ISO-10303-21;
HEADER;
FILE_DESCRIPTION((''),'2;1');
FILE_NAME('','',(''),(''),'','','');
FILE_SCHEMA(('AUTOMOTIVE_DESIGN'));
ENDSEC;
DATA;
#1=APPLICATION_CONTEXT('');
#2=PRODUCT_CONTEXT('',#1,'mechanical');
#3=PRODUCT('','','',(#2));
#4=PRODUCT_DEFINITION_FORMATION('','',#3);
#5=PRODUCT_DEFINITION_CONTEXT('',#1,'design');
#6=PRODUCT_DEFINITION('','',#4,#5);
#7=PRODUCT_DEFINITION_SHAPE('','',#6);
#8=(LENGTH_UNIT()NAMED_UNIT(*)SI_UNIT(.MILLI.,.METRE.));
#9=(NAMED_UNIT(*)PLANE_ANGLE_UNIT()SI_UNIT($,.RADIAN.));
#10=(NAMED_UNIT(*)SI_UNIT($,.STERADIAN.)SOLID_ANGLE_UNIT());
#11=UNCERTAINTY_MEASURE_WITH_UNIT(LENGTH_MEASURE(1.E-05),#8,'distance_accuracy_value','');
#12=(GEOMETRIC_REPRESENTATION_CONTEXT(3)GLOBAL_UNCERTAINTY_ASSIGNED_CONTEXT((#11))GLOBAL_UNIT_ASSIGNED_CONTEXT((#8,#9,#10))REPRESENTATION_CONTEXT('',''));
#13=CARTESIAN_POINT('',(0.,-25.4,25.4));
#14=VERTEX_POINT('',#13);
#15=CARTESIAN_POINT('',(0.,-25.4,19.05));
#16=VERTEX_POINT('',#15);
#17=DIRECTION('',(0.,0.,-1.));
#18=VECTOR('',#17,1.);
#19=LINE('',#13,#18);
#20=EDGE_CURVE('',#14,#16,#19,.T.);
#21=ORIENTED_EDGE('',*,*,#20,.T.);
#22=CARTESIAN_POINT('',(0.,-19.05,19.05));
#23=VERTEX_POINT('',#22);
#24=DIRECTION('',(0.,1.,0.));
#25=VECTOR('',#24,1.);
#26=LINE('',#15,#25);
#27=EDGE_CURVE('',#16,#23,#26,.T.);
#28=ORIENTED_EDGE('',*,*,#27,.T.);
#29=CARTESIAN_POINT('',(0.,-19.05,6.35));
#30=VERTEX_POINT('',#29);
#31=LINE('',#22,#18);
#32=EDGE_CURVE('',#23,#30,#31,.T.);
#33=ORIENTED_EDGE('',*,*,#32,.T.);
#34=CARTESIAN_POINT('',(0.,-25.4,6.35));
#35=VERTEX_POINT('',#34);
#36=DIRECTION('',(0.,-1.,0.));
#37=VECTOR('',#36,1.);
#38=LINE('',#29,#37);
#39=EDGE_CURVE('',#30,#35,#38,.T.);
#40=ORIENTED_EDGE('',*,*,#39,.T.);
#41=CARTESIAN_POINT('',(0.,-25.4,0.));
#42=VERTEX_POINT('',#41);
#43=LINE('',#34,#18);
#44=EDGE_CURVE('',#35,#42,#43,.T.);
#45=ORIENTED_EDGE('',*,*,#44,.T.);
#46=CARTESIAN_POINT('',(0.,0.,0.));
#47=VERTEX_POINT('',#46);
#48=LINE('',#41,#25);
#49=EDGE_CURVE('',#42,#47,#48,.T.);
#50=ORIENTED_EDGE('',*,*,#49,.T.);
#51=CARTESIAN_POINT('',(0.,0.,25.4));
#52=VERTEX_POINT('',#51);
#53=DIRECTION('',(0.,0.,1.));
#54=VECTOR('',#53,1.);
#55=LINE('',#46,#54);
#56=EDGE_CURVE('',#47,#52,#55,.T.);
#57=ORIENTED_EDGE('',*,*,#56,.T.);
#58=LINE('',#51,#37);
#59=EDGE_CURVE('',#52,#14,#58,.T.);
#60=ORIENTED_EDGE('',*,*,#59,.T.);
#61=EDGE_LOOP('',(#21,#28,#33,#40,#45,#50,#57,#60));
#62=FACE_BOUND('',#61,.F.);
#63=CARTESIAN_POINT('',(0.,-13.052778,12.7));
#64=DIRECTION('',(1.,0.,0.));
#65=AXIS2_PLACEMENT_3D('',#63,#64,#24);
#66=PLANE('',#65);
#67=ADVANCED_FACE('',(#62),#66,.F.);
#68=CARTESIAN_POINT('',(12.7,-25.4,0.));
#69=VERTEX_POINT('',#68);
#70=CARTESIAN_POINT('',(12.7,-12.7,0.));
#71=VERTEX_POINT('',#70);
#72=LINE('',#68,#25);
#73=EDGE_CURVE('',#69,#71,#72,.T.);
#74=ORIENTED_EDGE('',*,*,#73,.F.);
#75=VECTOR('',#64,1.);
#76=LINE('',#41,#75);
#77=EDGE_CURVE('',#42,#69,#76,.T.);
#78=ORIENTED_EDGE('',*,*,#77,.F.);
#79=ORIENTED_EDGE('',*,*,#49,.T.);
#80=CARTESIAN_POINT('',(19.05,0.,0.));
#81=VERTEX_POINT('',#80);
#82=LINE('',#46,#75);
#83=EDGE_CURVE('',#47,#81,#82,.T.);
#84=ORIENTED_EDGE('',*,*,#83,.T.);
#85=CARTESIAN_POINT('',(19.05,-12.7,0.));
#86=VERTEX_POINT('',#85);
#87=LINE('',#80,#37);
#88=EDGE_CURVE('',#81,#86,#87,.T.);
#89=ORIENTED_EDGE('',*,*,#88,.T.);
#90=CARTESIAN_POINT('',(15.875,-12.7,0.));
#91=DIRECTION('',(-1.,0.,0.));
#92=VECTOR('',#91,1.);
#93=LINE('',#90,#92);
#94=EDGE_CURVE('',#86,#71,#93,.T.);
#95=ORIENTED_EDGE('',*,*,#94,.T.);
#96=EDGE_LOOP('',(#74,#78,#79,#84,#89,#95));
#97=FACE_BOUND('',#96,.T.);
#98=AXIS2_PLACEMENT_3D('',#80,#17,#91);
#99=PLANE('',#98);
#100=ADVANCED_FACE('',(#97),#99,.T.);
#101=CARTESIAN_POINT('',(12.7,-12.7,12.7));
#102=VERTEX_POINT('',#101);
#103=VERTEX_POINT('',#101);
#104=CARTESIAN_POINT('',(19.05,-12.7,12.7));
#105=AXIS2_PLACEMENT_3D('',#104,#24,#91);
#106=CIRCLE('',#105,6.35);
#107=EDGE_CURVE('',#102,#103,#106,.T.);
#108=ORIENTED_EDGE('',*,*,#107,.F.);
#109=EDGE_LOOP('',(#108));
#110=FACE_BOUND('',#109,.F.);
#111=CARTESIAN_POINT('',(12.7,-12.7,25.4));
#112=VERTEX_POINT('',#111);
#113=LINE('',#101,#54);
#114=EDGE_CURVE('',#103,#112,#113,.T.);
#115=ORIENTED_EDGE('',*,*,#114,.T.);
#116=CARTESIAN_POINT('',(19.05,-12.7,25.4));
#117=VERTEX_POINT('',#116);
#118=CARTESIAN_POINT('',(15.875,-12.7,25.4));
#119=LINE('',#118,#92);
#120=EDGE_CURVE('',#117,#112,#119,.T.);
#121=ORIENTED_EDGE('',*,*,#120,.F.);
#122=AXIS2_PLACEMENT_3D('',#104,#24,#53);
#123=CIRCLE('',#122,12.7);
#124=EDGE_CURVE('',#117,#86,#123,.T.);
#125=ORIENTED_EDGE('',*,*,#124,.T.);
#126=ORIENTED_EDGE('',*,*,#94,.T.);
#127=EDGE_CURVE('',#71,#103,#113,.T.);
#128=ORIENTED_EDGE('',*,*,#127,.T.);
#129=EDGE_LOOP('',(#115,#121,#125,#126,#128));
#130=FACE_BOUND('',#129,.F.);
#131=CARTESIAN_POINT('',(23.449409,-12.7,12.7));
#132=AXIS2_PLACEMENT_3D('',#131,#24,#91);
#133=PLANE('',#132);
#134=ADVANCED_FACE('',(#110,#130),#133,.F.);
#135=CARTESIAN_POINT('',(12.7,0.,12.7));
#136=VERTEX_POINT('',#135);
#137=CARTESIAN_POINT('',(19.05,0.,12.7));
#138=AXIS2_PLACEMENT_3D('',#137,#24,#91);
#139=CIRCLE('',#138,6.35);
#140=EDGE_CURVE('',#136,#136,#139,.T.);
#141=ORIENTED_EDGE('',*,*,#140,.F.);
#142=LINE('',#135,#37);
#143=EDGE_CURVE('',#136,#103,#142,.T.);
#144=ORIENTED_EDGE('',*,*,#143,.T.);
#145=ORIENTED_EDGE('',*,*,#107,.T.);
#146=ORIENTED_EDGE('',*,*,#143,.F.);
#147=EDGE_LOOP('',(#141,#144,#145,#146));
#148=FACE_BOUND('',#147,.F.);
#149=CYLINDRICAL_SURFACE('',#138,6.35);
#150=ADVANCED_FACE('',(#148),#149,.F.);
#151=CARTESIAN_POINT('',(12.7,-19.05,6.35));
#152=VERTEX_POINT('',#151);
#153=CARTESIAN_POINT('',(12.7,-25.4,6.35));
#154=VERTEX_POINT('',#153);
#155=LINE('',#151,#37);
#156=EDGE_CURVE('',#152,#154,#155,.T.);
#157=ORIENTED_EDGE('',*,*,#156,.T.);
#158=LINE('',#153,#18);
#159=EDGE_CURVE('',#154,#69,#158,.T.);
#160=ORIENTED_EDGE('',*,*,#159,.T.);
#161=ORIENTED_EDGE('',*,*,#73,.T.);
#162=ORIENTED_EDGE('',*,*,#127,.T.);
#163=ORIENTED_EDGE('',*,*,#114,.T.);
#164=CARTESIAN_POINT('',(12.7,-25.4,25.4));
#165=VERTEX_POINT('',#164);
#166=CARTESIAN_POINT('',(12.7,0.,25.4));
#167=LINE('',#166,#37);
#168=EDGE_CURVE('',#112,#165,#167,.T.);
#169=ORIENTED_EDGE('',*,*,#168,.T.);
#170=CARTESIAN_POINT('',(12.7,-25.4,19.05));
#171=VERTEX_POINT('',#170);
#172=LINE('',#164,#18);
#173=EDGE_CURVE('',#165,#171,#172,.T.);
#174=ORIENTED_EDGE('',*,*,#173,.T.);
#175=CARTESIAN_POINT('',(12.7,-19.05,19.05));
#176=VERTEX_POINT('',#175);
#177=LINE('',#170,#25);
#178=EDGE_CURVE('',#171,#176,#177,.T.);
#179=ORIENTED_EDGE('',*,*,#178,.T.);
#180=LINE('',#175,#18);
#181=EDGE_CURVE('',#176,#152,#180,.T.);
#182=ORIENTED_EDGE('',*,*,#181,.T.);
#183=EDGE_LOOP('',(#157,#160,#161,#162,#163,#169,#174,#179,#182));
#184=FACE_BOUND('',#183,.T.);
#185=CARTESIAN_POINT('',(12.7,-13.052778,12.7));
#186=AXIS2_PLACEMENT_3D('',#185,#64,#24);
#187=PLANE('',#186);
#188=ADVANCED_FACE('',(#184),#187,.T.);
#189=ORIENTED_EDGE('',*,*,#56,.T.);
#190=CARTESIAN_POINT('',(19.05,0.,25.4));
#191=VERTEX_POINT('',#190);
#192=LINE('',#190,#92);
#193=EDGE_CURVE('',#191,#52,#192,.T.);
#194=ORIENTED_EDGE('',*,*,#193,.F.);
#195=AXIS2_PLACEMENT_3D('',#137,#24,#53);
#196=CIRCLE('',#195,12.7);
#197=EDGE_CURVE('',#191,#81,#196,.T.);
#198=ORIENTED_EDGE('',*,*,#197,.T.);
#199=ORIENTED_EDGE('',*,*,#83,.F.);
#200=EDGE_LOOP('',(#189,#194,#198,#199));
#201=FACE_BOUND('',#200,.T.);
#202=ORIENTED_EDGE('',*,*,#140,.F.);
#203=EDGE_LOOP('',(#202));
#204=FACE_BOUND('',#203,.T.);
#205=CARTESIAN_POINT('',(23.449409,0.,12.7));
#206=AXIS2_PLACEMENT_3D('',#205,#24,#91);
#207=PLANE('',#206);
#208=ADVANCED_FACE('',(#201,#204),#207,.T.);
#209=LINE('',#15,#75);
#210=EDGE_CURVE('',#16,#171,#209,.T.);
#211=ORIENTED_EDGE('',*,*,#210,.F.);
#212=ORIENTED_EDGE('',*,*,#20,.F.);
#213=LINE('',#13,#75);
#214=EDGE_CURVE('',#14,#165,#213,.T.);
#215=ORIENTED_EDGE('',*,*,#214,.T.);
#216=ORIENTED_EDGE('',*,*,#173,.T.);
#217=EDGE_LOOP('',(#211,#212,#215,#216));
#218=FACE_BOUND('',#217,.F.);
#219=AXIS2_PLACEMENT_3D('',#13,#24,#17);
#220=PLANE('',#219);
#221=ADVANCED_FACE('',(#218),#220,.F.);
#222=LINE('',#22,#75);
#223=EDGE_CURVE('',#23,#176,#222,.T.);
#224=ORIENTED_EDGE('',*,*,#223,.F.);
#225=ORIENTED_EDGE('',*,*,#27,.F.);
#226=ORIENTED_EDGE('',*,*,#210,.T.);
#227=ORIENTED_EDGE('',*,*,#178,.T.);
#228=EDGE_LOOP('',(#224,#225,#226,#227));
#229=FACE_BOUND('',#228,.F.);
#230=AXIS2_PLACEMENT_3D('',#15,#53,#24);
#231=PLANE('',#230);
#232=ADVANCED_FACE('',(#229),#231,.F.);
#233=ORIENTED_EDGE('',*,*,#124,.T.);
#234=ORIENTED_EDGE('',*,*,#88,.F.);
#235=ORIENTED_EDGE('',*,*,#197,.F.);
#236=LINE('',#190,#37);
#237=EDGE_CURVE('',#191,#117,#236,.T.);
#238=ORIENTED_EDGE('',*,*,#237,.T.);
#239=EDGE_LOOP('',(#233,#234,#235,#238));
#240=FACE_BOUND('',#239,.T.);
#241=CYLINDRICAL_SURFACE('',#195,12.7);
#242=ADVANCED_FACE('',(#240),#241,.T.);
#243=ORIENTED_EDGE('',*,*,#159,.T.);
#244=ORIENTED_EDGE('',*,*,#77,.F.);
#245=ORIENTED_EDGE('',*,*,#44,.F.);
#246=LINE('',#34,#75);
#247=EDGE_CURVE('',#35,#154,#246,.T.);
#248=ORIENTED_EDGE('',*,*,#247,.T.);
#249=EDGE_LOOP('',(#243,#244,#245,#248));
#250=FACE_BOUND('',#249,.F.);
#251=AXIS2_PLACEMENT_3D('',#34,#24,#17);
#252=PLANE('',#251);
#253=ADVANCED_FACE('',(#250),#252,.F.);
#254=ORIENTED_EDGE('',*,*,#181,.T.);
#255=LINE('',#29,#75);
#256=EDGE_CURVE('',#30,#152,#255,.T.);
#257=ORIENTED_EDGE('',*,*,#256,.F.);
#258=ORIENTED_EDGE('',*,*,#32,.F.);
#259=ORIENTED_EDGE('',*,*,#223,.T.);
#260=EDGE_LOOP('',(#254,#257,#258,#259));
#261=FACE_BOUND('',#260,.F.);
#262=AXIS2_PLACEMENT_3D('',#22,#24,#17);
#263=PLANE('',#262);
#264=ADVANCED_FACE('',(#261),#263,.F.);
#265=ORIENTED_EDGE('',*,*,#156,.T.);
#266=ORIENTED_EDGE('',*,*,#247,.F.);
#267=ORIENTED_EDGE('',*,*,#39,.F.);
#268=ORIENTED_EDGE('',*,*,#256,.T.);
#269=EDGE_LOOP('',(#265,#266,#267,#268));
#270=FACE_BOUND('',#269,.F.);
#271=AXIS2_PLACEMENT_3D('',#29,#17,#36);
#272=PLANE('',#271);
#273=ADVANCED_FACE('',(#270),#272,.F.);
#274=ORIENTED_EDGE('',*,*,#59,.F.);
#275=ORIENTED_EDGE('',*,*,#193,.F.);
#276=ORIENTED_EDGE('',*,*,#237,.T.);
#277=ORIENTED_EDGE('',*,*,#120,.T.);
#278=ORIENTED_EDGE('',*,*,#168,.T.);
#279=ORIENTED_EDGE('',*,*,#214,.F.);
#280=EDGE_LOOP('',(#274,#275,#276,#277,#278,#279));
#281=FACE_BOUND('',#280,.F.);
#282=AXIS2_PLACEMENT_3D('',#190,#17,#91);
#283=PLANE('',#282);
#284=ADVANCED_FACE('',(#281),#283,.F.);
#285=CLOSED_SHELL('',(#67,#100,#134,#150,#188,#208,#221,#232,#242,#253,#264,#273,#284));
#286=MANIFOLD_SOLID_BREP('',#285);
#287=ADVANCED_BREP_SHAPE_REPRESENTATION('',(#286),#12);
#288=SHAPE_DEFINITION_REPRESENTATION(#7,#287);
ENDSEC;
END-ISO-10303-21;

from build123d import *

# Parameters (mm, degrees)
F1_DEPTH = 12.7
F2_W     = 6.35
F2_H     = 25.4
F3_DEPTH = 12.7
F5_DEPTH = 12.7
F6_R     = 6.35
F7_DEPTH = 12.7


with BuildPart() as f1:
    # F0 (on Right) → F1 (new body)
    with BuildSketch(Plane.YZ):
        Polygon((-25.4, 0), (0, 0), (0, 25.4), (-25.4, 25.4), (-25.4, 19.05), (-19.05, 19.05), (-19.05, 6.35), (-25.4, 6.35), align=None)
    extrude(amount=F1_DEPTH)

    # F2 (on face) → F3 (join)
    with BuildSketch(Plane(origin=(0, 0, 0), x_dir=(-1, 0, 0), z_dir=(0, 1, 0))):
        with Locations((-15.875, 12.7)):
            Rectangle(F2_W, F2_H)
    extrude(amount=-F3_DEPTH)

    # F4 (on face) → F5 (join)
    with BuildSketch(Plane(origin=(0, 0, 0), x_dir=(-1, 0, 0), z_dir=(0, 1, 0))):
        with BuildLine():
            Line((-19.05, 0), (-19.05, 25.4))
            ThreePointArc((-19.05, 25.4), (-31.75, 12.7), (-19.05, 0))
        make_face()
    extrude(amount=-F5_DEPTH)

    # F6 (on face) → F7 (cut)
    with BuildSketch(Plane(origin=(0, 0, 0), x_dir=(-1, 0, 0), z_dir=(0, 1, 0))):
        with Locations((-19.05, 12.7)):
            Circle(F6_R)
    extrude(amount=-F7_DEPTH, mode=Mode.SUBTRACT)


solid = f1.part
